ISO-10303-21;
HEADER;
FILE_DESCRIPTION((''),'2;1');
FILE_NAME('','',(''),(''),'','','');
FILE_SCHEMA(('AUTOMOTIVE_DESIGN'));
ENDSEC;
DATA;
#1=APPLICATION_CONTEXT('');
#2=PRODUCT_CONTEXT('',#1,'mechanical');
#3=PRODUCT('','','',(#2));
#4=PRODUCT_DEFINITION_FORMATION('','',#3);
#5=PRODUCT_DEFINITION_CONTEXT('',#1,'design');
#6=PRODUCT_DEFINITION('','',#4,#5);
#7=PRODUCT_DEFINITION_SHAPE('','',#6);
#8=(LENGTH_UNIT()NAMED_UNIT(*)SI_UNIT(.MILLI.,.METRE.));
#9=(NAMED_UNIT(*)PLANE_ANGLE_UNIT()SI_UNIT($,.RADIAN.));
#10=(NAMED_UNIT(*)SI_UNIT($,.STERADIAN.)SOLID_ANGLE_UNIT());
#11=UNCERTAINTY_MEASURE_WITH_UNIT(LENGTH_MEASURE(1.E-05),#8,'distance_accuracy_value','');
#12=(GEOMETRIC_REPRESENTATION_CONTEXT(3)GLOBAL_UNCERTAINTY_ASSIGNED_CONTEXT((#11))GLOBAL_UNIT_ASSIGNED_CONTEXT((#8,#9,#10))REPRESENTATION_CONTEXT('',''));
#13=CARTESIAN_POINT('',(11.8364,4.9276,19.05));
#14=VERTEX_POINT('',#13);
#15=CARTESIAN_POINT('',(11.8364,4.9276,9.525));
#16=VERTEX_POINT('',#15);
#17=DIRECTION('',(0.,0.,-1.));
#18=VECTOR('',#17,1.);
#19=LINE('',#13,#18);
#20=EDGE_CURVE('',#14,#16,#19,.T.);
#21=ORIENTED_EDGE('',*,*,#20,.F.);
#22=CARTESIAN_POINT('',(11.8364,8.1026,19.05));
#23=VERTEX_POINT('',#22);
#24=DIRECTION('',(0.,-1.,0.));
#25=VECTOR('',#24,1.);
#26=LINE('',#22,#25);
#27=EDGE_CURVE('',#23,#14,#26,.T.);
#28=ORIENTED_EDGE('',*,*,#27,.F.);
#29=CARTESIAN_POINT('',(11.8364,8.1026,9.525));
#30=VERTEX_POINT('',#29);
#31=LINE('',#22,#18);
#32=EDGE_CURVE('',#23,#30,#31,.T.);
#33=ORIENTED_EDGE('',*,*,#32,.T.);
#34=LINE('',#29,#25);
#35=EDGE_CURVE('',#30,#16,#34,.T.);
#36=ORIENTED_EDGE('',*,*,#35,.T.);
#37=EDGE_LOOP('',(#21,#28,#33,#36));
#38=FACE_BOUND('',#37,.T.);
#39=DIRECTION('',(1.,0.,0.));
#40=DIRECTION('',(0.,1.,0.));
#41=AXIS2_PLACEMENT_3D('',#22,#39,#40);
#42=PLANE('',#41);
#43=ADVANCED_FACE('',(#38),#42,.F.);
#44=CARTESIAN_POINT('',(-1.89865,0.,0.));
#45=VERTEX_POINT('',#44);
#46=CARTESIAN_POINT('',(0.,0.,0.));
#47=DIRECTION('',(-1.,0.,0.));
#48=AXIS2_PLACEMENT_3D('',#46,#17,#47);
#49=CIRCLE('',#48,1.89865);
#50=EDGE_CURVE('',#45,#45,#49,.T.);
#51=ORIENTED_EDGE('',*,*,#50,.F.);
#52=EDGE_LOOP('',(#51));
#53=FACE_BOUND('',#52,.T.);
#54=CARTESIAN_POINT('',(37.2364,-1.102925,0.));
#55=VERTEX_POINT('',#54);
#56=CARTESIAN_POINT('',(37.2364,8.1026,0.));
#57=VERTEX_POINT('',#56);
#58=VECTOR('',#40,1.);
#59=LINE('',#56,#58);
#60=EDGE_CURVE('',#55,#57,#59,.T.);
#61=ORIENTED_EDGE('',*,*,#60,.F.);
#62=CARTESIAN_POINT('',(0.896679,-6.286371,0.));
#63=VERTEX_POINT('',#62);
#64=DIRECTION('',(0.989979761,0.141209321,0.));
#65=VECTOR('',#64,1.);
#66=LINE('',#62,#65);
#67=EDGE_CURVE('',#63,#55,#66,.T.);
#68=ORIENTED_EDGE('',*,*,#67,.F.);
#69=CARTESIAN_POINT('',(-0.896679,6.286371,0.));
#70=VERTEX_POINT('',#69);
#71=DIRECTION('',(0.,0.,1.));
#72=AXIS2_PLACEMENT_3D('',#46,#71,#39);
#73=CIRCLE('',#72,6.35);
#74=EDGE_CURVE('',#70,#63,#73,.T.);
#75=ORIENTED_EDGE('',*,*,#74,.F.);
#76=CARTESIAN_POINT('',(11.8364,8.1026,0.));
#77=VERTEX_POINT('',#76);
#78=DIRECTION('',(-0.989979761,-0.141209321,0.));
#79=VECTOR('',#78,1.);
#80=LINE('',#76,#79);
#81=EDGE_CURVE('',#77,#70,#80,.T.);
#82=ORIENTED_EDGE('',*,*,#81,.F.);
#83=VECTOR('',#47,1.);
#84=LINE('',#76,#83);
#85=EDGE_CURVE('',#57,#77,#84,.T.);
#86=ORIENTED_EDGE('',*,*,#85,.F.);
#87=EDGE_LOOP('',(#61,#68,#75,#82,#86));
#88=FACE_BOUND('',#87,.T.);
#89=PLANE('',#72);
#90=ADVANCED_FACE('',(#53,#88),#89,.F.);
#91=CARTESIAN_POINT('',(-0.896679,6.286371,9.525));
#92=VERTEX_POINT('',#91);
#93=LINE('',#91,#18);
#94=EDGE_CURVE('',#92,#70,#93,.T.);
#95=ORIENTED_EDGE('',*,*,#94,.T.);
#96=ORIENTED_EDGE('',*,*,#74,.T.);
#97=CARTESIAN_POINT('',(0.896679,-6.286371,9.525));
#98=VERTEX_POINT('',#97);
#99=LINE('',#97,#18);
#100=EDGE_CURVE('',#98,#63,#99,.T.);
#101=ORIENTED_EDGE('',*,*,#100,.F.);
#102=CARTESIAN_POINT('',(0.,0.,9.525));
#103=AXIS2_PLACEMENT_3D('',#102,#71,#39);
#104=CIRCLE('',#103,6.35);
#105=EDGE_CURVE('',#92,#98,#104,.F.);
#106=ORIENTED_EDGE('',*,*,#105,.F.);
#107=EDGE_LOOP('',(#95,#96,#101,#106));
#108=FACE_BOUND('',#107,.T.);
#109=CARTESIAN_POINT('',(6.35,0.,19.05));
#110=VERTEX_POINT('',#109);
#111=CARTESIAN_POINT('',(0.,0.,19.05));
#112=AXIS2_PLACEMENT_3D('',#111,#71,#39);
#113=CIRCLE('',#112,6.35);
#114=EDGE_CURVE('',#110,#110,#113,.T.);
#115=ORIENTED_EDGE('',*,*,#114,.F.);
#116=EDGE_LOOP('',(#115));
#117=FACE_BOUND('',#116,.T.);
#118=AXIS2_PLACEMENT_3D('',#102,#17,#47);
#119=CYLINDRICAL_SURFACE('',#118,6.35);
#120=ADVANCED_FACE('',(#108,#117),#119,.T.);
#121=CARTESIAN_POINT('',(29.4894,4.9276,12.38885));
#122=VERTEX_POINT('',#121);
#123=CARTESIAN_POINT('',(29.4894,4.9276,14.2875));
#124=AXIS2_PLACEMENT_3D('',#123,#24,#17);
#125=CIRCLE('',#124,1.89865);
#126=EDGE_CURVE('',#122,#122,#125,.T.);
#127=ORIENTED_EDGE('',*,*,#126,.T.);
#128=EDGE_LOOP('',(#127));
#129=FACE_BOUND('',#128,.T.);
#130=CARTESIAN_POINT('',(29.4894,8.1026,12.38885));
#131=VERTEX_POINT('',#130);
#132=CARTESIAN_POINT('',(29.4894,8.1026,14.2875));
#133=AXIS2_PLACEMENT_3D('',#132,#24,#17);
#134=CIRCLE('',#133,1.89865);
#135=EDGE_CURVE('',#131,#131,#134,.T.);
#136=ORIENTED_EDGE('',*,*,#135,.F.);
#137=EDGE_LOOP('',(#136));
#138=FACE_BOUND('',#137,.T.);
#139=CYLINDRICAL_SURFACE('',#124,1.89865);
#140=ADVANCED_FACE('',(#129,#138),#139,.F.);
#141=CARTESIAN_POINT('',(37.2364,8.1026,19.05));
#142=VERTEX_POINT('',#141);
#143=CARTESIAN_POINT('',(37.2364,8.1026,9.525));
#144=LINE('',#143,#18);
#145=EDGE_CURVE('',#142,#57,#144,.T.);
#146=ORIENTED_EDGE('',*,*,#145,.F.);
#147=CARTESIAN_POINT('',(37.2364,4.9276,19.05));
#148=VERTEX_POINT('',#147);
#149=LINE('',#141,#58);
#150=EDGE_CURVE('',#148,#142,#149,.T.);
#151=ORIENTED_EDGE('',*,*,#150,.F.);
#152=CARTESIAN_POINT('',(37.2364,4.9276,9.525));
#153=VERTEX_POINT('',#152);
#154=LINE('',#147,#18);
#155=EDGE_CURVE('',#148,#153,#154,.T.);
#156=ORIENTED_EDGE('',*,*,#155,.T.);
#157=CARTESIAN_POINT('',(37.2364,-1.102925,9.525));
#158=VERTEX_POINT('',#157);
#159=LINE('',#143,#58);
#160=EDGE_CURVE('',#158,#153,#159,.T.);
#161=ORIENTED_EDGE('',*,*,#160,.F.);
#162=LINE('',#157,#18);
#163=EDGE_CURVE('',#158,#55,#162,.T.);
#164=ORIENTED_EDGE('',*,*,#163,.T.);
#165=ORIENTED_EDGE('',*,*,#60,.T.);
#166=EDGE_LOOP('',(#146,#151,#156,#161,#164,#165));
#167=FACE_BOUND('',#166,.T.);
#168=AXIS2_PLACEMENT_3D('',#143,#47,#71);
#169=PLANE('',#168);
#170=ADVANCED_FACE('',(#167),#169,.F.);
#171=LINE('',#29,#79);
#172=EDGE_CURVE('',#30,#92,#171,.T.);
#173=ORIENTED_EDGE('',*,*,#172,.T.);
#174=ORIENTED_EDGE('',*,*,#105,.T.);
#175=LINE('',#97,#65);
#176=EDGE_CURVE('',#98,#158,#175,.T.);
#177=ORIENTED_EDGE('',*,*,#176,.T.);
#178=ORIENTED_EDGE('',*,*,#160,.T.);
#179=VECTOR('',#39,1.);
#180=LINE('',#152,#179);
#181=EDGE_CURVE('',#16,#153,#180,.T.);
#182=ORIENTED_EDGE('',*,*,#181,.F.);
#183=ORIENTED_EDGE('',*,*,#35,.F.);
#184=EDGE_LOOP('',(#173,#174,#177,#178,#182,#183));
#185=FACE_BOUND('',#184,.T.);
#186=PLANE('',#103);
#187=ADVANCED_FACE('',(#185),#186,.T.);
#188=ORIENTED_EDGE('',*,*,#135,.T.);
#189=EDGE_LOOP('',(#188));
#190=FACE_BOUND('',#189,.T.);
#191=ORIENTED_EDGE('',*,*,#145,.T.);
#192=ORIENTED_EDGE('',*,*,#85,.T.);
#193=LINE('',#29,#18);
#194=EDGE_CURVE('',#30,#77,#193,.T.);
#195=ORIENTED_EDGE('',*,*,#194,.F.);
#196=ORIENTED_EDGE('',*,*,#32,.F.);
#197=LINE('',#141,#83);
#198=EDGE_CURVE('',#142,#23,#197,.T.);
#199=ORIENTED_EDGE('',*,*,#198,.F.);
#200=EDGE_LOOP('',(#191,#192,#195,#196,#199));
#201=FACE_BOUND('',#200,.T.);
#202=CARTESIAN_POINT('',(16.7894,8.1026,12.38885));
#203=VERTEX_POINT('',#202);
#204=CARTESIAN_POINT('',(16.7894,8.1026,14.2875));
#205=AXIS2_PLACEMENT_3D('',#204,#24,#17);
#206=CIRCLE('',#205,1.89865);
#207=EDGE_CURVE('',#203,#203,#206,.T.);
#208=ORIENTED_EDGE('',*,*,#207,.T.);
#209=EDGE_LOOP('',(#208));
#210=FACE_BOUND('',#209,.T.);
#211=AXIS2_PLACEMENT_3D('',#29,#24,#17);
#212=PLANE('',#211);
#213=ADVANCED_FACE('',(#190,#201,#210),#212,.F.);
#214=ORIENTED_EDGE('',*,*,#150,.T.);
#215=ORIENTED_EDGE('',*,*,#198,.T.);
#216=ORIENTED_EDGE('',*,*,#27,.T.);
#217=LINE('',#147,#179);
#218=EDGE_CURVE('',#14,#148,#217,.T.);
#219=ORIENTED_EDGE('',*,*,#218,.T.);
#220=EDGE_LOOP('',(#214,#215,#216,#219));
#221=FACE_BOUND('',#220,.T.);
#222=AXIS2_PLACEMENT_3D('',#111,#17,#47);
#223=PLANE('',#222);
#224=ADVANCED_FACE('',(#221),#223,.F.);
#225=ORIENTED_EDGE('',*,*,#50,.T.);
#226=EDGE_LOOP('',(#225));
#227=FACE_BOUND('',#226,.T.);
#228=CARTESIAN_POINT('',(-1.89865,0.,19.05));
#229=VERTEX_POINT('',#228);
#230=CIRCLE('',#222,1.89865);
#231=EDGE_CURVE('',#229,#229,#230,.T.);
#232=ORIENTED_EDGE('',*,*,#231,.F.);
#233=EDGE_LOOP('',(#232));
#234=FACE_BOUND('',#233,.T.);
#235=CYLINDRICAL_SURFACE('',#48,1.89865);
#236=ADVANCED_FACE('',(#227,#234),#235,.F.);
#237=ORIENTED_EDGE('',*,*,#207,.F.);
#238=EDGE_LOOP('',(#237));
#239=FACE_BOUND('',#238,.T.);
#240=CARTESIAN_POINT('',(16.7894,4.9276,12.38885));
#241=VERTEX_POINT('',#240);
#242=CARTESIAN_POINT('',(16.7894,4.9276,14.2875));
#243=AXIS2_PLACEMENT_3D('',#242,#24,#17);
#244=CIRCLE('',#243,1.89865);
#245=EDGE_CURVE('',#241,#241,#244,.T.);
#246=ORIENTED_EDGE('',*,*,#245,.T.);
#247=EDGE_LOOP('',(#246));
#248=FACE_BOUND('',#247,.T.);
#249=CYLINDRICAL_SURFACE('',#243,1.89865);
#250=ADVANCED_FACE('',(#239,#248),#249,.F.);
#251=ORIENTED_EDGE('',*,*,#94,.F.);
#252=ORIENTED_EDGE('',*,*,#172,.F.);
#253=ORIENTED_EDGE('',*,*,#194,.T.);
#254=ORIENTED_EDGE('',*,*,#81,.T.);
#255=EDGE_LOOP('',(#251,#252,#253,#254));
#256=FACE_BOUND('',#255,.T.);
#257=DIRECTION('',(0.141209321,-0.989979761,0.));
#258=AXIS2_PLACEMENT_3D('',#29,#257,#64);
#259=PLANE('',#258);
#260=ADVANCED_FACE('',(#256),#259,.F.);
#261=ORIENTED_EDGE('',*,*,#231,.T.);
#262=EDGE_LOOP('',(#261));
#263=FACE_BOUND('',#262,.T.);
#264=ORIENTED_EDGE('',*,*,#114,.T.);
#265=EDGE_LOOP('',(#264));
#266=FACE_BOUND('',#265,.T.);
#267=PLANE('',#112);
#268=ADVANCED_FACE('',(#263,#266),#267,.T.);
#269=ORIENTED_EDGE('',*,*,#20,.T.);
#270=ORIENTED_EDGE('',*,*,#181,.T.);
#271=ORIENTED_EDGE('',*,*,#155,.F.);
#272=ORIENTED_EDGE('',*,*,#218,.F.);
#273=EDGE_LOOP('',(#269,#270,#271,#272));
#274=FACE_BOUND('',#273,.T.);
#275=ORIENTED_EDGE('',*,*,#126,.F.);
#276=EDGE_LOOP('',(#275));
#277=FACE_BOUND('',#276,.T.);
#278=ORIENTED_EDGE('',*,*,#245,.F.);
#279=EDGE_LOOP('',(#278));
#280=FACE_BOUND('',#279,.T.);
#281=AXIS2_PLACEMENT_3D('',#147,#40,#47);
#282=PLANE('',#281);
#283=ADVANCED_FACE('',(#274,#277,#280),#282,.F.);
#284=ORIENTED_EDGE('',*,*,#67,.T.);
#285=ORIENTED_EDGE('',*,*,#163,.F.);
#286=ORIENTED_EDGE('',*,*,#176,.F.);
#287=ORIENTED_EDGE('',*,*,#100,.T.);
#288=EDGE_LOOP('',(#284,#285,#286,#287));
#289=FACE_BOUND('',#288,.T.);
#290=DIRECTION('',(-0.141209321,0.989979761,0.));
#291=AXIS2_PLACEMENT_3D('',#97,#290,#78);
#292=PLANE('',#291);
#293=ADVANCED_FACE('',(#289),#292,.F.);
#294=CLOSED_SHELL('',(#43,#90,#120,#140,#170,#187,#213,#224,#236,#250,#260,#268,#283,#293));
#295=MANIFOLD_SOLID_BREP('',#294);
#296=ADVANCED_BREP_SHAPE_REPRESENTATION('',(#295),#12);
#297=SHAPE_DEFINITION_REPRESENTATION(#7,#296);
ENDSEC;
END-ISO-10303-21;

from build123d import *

# Parameters (mm, degrees)
BOSS_EXTRUDE1_DEPTH   = 9.525
SKETCH4_R             = 6.35
SKETCH4_W             = 25.4
SKETCH4_H             = 3.175
BOSS_EXTRUDE2_DEPTH   = 9.525
F_6_CLEARANCE_HOLE1_D = 3.7973
F_6_CLEARANCE_HOLE2_D = 3.7973


with BuildPart() as part:
    # Sketch1 → Boss-Extrude1 (new body)
    with BuildSketch(Plane.XY):
        with BuildLine():
            Line((11.8364, 8.1026), (-0.896679191, 6.286371483))
            ThreePointArc((-0.896679191, 6.286371483), (-6.286371483, -0.896679191), (0.896679191, -6.286371483))
            Line((0.896679191, -6.286371483), (37.2364, -1.102924791))
            Line((37.2364, -1.102924791), (37.2364, 8.1026))
            Line((37.2364, 8.1026), (11.8364, 8.1026))
        make_face()
    extrude(amount=BOSS_EXTRUDE1_DEPTH)

    # Sketch4 → Boss-Extrude2 (add)
    with BuildSketch(Plane.XY.offset(9.525)):
        with Locations(Location((0, 0, 0), (0, 0, 98.117830505))):
            Circle(SKETCH4_R)
        with Locations((24.5364, 6.5151)):
            Rectangle(SKETCH4_W, SKETCH4_H)
    extrude(amount=BOSS_EXTRUDE2_DEPTH)

    # #6 Clearance Hole1 (through all)
    with Locations(Plane(origin=(0, 0, 0), x_dir=(-1, 0, 0), z_dir=(0, 0, -1))):
        with Locations((0, 0)):
            Hole(F_6_CLEARANCE_HOLE1_D / 2)

    # #6 Clearance Hole2 (through all)
    with Locations(Plane(origin=(16.7894, 4.9276, 14.2875), x_dir=(-1, 0, 0), z_dir=(0, -1, 0))):
        with Locations((0, 0), (-12.7, 0)):
            Hole(F_6_CLEARANCE_HOLE2_D / 2)


solid = part.part
